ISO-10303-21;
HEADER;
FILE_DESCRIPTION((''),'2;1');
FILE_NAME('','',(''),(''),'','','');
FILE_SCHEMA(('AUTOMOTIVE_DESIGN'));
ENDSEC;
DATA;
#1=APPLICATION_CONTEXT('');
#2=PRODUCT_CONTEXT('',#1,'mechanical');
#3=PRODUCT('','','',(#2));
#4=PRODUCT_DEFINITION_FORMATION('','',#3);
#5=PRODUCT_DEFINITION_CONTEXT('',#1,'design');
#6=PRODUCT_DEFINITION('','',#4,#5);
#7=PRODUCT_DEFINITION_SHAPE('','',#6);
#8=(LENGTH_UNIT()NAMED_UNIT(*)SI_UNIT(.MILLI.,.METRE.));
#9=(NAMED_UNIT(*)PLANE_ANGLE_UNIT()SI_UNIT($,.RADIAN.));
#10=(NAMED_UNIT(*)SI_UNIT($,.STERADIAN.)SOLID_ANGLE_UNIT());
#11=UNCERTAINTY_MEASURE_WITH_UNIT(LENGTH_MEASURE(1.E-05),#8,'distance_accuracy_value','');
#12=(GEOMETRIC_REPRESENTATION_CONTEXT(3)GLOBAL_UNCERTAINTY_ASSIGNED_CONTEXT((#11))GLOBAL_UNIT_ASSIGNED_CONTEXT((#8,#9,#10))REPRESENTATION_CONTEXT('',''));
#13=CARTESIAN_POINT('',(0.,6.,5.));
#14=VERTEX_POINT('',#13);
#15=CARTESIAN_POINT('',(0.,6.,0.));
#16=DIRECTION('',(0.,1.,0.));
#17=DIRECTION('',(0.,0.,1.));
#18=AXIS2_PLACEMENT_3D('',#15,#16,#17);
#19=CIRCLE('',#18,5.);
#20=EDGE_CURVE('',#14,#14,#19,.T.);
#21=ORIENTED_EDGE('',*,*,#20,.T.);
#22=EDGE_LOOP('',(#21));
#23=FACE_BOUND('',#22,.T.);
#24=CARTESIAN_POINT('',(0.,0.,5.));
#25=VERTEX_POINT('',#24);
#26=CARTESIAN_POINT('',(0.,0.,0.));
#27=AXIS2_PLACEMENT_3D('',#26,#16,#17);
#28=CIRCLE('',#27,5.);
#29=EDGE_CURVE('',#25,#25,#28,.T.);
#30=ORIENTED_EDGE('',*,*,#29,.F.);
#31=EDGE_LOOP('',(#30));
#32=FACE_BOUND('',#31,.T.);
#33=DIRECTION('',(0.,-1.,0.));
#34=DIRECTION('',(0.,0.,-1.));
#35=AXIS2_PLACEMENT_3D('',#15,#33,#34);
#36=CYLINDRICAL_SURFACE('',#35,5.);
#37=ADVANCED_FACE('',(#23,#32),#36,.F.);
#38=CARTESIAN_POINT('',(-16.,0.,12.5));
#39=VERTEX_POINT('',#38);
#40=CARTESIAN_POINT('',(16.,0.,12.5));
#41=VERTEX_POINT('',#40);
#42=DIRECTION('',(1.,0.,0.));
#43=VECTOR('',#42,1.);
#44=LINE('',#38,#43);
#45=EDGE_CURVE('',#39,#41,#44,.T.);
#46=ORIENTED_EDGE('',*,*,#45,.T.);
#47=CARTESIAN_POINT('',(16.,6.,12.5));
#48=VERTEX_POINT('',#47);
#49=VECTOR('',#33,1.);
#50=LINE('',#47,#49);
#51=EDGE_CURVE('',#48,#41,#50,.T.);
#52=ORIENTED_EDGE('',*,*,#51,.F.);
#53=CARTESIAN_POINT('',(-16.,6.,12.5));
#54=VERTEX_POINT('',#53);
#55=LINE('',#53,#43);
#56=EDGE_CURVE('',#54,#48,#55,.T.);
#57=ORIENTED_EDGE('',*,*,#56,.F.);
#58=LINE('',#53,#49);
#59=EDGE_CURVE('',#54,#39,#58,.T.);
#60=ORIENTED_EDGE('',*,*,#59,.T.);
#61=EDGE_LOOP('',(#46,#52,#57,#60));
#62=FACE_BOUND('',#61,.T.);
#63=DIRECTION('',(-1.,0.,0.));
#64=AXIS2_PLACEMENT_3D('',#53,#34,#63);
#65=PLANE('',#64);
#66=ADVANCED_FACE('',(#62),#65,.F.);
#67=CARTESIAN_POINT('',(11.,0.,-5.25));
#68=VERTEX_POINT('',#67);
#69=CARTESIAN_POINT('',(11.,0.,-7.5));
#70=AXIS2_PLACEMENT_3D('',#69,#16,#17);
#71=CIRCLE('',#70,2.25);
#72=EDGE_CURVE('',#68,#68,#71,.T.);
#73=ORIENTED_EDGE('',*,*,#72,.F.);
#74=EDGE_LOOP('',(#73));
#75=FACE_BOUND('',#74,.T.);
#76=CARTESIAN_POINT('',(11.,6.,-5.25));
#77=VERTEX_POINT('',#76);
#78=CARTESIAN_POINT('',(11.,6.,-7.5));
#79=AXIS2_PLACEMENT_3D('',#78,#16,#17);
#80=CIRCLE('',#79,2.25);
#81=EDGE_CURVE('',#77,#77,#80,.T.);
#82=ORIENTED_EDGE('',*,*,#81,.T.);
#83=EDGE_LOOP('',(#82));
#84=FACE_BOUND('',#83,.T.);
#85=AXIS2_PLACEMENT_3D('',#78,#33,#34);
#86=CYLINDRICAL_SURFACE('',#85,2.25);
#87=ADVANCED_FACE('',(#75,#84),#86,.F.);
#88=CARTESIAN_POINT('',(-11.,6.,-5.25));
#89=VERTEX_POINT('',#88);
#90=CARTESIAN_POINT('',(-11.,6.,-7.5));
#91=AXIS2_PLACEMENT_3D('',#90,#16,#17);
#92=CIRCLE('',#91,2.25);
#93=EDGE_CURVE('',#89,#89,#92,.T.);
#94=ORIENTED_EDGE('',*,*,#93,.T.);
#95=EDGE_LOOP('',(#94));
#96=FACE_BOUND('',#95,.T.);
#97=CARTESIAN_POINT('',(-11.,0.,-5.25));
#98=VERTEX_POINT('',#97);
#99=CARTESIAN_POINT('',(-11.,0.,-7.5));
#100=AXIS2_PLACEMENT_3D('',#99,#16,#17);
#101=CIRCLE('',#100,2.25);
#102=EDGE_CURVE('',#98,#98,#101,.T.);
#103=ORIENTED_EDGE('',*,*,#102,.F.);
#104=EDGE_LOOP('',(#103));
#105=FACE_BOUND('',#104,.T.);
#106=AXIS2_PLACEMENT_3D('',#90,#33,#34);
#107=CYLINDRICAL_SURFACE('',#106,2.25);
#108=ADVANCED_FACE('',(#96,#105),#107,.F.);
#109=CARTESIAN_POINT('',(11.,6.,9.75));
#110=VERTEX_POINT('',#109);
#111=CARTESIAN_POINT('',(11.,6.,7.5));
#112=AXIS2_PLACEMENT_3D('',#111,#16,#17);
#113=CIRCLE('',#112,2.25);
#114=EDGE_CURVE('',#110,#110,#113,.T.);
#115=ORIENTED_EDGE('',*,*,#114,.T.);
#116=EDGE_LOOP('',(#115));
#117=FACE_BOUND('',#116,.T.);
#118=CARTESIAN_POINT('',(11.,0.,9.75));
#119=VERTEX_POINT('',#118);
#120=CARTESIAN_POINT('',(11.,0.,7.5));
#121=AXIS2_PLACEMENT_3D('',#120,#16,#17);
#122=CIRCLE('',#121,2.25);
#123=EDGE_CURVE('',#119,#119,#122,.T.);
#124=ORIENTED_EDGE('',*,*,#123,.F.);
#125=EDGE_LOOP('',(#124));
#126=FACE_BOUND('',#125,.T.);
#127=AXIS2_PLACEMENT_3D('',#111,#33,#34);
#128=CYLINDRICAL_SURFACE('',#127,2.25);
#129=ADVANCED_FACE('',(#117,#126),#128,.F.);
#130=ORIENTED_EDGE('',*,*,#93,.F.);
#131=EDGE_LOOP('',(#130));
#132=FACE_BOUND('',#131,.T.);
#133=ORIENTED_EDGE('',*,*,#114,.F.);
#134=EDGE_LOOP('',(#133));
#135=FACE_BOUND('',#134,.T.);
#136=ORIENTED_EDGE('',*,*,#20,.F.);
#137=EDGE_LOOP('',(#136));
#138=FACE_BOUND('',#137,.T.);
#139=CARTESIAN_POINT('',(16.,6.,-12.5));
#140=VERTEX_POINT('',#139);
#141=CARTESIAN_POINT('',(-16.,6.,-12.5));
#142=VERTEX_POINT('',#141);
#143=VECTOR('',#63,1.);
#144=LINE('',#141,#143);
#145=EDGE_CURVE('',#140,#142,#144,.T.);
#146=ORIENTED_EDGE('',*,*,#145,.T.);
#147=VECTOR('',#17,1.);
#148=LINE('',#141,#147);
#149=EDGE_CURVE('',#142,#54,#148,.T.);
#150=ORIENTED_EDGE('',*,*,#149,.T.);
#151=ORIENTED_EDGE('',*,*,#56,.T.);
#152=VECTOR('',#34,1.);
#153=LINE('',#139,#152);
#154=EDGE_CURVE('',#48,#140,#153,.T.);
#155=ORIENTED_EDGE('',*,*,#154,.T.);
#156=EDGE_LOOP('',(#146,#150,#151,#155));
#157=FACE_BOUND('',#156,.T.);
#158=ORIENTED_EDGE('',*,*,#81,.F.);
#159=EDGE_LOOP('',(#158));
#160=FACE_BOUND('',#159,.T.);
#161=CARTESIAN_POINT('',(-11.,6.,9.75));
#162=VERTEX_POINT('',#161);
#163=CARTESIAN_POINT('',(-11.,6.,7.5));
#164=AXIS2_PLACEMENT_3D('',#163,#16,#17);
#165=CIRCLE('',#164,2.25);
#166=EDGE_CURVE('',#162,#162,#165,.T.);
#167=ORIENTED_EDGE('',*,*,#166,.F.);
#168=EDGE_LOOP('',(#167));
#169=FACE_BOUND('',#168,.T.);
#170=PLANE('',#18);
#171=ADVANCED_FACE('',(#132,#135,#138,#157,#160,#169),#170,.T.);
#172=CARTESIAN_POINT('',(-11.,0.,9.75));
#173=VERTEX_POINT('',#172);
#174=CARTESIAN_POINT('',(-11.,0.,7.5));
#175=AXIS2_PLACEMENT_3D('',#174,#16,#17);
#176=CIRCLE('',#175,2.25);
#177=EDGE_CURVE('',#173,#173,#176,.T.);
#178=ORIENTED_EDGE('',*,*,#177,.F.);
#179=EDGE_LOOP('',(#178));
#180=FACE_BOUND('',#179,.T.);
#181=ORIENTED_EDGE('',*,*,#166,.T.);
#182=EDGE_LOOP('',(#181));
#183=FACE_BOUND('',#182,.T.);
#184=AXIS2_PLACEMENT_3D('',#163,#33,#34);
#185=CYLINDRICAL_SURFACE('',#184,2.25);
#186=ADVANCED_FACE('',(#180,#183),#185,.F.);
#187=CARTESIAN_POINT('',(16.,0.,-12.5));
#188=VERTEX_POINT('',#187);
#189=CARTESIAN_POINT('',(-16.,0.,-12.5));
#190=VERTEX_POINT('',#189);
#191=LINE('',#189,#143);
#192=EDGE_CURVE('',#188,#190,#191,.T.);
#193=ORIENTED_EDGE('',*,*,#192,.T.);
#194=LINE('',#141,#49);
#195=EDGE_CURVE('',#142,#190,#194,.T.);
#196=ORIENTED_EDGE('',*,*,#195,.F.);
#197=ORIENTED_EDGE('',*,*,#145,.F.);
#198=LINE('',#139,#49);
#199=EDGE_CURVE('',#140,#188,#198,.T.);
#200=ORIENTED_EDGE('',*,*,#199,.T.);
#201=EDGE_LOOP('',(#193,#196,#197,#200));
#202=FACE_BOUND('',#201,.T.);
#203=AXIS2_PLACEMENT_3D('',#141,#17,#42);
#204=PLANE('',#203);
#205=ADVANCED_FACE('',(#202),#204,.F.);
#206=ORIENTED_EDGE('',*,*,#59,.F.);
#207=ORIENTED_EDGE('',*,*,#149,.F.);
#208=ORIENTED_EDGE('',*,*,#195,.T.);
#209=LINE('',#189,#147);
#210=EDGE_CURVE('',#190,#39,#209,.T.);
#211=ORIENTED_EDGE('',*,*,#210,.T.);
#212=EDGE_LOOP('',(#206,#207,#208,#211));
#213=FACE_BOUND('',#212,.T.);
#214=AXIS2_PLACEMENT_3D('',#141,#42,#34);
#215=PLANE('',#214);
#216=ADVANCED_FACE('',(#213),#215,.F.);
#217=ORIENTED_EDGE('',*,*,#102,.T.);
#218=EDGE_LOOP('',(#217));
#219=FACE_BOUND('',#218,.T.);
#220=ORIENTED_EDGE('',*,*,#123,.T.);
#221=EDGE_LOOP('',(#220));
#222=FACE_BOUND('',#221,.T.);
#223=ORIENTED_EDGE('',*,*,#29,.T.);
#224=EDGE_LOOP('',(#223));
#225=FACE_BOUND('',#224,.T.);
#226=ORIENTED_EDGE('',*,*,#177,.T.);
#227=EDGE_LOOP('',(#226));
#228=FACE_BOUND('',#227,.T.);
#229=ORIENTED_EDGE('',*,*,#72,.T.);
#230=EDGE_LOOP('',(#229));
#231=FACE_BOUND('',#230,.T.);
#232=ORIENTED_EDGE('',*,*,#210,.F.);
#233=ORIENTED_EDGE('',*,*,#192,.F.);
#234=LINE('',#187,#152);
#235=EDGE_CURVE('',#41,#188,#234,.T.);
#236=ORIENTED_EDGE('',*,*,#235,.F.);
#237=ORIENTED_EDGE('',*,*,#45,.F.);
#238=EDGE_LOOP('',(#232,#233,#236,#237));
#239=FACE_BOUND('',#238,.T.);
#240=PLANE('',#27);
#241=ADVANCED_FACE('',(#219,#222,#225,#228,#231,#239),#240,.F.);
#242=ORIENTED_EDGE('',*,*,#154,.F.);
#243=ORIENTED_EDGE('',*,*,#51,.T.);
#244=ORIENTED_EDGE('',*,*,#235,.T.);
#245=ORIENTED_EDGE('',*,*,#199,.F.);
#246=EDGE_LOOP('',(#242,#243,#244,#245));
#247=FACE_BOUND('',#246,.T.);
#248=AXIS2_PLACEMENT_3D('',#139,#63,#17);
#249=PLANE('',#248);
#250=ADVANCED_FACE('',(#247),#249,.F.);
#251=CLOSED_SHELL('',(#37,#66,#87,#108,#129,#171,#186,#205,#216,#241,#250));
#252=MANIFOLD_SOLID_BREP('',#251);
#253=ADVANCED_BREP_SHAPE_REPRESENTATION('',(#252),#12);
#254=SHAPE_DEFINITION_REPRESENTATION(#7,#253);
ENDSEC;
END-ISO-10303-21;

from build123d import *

# Parameters (mm, degrees)
SKETCH1_W           = 32
SKETCH1_H           = 25
SKETCH1_R           = 2.25
SKETCH1_R_2         = 5
BOSS_EXTRUDE1_DEPTH = 6


with BuildPart() as part:
    # Sketch1 → Boss-Extrude1 (new body)
    with BuildSketch(Plane(origin=(0, 0, 0), x_dir=(1, 0, 0), z_dir=(0, 1, 0))):
        Rectangle(SKETCH1_W, SKETCH1_H)
        with Locations(Location((11, 7.5, 0), (0, 0, 270))):
            Circle(SKETCH1_R, mode=Mode.SUBTRACT)
        with Locations(Location((11, -7.5, 0), (0, 0, 270))):
            Circle(SKETCH1_R, mode=Mode.SUBTRACT)
        with Locations(Location((-11, -7.5, 0), (0, 0, 270))):
            Circle(SKETCH1_R, mode=Mode.SUBTRACT)
        with Locations(Location((-11, 7.5, 0), (0, 0, 270))):
            Circle(SKETCH1_R, mode=Mode.SUBTRACT)
        with Locations(Location((0, 0, 0), (0, 0, 270))):
            Circle(SKETCH1_R_2, mode=Mode.SUBTRACT)
    extrude(amount=BOSS_EXTRUDE1_DEPTH)


solid = part.part
